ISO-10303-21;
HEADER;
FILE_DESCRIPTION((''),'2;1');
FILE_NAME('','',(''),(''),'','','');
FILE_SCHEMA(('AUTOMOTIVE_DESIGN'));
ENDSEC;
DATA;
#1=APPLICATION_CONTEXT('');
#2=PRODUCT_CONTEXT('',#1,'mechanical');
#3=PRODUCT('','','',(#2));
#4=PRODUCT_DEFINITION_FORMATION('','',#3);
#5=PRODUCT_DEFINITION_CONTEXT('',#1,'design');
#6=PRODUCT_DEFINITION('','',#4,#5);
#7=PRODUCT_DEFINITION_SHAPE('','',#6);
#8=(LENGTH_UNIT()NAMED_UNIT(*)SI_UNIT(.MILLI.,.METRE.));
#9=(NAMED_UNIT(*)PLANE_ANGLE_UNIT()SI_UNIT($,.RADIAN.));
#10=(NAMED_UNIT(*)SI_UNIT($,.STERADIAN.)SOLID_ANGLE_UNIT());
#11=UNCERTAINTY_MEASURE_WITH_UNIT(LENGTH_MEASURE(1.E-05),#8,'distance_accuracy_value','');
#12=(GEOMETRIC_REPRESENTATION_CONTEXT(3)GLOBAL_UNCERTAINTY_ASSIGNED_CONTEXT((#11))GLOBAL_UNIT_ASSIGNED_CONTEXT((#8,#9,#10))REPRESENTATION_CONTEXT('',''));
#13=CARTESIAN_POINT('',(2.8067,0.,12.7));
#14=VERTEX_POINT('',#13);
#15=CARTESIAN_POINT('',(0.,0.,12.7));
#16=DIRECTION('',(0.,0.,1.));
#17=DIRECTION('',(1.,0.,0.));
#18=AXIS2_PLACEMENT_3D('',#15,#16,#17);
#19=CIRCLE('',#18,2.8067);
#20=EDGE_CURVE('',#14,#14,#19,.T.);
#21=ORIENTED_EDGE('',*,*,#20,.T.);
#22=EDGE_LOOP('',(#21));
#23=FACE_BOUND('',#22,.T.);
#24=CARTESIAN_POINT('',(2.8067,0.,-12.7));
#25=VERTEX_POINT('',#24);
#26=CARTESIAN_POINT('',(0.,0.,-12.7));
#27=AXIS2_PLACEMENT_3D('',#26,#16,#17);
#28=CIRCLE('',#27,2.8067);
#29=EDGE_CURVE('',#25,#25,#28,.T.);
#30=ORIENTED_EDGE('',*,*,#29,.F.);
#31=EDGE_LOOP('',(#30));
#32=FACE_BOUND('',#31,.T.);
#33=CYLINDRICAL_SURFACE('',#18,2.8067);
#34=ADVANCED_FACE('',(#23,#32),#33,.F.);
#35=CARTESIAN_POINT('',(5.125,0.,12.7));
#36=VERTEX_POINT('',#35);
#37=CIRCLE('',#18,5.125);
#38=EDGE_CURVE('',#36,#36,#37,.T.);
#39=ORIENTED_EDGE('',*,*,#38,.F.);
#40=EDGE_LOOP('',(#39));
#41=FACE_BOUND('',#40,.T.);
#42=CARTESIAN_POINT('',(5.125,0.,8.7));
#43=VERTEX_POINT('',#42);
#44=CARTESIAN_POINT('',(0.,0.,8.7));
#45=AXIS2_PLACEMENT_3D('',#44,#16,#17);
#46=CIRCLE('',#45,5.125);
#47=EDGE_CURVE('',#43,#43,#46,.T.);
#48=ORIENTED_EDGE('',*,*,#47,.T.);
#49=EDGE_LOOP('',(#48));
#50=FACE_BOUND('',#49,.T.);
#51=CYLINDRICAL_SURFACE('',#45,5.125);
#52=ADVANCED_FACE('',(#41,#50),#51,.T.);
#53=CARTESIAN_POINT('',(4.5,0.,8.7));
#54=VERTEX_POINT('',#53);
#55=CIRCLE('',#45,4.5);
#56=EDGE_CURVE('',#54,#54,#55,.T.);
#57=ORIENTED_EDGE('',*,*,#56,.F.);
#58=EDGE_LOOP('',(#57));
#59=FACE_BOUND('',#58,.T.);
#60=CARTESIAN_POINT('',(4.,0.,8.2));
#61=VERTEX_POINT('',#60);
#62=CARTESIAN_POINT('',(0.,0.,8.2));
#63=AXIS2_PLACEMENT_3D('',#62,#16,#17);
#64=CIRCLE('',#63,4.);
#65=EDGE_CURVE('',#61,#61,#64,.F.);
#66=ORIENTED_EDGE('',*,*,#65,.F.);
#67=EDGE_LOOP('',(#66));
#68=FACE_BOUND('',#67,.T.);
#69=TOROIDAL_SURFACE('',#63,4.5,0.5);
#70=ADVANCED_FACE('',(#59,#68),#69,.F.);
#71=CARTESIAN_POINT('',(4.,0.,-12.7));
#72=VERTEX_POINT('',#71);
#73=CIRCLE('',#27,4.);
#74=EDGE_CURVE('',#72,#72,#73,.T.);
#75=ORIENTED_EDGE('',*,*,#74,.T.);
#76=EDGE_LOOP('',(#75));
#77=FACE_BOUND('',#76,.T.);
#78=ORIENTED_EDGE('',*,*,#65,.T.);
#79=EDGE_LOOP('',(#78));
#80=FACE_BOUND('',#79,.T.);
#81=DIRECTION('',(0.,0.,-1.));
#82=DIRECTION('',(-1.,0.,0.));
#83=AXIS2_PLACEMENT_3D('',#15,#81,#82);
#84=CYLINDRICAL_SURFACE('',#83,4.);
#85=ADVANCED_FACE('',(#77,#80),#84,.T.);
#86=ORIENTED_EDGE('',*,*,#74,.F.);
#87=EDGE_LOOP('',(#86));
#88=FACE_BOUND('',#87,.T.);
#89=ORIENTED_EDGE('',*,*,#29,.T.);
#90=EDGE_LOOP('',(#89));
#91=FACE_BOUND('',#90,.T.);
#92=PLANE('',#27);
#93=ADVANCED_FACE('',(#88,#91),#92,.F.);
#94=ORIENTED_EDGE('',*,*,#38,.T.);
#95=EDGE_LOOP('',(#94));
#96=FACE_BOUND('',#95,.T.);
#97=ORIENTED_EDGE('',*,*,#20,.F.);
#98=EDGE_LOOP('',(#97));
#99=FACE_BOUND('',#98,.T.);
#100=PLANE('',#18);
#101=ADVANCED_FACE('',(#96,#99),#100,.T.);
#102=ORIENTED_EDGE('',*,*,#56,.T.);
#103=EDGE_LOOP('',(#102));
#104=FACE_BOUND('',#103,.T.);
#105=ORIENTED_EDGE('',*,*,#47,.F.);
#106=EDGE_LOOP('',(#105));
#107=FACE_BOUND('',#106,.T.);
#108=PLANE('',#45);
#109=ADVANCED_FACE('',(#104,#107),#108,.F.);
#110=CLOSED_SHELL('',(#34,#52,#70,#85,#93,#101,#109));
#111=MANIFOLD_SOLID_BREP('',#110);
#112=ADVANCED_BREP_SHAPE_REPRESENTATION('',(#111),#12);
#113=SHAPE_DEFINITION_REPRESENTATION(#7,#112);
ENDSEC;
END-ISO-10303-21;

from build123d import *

# Parameters (mm, degrees)
SKETCH1_R              = 4
BOSS_EXTRUDE1_DEPTH    = 12.7
F_10_CLEARANCE_HOLE1_D = 5.6134
BOSS_EXTRUDE2_START    = -4
SKETCH4_R              = 5.125
SKETCH4_R_2            = 2.8067
BOSS_EXTRUDE2_DEPTH    = 4
FILLET1_R              = 0.5


with BuildPart() as part:
    # Sketch1 → Boss-Extrude1 (new, symmetric)
    with BuildSketch(Plane.XY):
        Circle(SKETCH1_R)
    extrude(amount=BOSS_EXTRUDE1_DEPTH, both=True)

    # #10 Clearance Hole1 (through all)
    with Locations(Plane.XY.offset(12.7)):
        with Locations((0, 0)):
            Hole(F_10_CLEARANCE_HOLE1_D / 2)

    # Sketch4 → Boss-Extrude2 (add)
    with BuildSketch(Plane.XY.offset(12.7).offset(BOSS_EXTRUDE2_START)):
        Circle(SKETCH4_R)
        Circle(SKETCH4_R_2, mode=Mode.SUBTRACT)
    extrude(amount=BOSS_EXTRUDE2_DEPTH)

    # Fillet1
    fillet1_edges = [part.edges().sort_by_distance(p)[0] for p in [
        (-4, 0, 8.7),
    ]]
    fillet(fillet1_edges, radius=FILLET1_R)


solid = part.part
